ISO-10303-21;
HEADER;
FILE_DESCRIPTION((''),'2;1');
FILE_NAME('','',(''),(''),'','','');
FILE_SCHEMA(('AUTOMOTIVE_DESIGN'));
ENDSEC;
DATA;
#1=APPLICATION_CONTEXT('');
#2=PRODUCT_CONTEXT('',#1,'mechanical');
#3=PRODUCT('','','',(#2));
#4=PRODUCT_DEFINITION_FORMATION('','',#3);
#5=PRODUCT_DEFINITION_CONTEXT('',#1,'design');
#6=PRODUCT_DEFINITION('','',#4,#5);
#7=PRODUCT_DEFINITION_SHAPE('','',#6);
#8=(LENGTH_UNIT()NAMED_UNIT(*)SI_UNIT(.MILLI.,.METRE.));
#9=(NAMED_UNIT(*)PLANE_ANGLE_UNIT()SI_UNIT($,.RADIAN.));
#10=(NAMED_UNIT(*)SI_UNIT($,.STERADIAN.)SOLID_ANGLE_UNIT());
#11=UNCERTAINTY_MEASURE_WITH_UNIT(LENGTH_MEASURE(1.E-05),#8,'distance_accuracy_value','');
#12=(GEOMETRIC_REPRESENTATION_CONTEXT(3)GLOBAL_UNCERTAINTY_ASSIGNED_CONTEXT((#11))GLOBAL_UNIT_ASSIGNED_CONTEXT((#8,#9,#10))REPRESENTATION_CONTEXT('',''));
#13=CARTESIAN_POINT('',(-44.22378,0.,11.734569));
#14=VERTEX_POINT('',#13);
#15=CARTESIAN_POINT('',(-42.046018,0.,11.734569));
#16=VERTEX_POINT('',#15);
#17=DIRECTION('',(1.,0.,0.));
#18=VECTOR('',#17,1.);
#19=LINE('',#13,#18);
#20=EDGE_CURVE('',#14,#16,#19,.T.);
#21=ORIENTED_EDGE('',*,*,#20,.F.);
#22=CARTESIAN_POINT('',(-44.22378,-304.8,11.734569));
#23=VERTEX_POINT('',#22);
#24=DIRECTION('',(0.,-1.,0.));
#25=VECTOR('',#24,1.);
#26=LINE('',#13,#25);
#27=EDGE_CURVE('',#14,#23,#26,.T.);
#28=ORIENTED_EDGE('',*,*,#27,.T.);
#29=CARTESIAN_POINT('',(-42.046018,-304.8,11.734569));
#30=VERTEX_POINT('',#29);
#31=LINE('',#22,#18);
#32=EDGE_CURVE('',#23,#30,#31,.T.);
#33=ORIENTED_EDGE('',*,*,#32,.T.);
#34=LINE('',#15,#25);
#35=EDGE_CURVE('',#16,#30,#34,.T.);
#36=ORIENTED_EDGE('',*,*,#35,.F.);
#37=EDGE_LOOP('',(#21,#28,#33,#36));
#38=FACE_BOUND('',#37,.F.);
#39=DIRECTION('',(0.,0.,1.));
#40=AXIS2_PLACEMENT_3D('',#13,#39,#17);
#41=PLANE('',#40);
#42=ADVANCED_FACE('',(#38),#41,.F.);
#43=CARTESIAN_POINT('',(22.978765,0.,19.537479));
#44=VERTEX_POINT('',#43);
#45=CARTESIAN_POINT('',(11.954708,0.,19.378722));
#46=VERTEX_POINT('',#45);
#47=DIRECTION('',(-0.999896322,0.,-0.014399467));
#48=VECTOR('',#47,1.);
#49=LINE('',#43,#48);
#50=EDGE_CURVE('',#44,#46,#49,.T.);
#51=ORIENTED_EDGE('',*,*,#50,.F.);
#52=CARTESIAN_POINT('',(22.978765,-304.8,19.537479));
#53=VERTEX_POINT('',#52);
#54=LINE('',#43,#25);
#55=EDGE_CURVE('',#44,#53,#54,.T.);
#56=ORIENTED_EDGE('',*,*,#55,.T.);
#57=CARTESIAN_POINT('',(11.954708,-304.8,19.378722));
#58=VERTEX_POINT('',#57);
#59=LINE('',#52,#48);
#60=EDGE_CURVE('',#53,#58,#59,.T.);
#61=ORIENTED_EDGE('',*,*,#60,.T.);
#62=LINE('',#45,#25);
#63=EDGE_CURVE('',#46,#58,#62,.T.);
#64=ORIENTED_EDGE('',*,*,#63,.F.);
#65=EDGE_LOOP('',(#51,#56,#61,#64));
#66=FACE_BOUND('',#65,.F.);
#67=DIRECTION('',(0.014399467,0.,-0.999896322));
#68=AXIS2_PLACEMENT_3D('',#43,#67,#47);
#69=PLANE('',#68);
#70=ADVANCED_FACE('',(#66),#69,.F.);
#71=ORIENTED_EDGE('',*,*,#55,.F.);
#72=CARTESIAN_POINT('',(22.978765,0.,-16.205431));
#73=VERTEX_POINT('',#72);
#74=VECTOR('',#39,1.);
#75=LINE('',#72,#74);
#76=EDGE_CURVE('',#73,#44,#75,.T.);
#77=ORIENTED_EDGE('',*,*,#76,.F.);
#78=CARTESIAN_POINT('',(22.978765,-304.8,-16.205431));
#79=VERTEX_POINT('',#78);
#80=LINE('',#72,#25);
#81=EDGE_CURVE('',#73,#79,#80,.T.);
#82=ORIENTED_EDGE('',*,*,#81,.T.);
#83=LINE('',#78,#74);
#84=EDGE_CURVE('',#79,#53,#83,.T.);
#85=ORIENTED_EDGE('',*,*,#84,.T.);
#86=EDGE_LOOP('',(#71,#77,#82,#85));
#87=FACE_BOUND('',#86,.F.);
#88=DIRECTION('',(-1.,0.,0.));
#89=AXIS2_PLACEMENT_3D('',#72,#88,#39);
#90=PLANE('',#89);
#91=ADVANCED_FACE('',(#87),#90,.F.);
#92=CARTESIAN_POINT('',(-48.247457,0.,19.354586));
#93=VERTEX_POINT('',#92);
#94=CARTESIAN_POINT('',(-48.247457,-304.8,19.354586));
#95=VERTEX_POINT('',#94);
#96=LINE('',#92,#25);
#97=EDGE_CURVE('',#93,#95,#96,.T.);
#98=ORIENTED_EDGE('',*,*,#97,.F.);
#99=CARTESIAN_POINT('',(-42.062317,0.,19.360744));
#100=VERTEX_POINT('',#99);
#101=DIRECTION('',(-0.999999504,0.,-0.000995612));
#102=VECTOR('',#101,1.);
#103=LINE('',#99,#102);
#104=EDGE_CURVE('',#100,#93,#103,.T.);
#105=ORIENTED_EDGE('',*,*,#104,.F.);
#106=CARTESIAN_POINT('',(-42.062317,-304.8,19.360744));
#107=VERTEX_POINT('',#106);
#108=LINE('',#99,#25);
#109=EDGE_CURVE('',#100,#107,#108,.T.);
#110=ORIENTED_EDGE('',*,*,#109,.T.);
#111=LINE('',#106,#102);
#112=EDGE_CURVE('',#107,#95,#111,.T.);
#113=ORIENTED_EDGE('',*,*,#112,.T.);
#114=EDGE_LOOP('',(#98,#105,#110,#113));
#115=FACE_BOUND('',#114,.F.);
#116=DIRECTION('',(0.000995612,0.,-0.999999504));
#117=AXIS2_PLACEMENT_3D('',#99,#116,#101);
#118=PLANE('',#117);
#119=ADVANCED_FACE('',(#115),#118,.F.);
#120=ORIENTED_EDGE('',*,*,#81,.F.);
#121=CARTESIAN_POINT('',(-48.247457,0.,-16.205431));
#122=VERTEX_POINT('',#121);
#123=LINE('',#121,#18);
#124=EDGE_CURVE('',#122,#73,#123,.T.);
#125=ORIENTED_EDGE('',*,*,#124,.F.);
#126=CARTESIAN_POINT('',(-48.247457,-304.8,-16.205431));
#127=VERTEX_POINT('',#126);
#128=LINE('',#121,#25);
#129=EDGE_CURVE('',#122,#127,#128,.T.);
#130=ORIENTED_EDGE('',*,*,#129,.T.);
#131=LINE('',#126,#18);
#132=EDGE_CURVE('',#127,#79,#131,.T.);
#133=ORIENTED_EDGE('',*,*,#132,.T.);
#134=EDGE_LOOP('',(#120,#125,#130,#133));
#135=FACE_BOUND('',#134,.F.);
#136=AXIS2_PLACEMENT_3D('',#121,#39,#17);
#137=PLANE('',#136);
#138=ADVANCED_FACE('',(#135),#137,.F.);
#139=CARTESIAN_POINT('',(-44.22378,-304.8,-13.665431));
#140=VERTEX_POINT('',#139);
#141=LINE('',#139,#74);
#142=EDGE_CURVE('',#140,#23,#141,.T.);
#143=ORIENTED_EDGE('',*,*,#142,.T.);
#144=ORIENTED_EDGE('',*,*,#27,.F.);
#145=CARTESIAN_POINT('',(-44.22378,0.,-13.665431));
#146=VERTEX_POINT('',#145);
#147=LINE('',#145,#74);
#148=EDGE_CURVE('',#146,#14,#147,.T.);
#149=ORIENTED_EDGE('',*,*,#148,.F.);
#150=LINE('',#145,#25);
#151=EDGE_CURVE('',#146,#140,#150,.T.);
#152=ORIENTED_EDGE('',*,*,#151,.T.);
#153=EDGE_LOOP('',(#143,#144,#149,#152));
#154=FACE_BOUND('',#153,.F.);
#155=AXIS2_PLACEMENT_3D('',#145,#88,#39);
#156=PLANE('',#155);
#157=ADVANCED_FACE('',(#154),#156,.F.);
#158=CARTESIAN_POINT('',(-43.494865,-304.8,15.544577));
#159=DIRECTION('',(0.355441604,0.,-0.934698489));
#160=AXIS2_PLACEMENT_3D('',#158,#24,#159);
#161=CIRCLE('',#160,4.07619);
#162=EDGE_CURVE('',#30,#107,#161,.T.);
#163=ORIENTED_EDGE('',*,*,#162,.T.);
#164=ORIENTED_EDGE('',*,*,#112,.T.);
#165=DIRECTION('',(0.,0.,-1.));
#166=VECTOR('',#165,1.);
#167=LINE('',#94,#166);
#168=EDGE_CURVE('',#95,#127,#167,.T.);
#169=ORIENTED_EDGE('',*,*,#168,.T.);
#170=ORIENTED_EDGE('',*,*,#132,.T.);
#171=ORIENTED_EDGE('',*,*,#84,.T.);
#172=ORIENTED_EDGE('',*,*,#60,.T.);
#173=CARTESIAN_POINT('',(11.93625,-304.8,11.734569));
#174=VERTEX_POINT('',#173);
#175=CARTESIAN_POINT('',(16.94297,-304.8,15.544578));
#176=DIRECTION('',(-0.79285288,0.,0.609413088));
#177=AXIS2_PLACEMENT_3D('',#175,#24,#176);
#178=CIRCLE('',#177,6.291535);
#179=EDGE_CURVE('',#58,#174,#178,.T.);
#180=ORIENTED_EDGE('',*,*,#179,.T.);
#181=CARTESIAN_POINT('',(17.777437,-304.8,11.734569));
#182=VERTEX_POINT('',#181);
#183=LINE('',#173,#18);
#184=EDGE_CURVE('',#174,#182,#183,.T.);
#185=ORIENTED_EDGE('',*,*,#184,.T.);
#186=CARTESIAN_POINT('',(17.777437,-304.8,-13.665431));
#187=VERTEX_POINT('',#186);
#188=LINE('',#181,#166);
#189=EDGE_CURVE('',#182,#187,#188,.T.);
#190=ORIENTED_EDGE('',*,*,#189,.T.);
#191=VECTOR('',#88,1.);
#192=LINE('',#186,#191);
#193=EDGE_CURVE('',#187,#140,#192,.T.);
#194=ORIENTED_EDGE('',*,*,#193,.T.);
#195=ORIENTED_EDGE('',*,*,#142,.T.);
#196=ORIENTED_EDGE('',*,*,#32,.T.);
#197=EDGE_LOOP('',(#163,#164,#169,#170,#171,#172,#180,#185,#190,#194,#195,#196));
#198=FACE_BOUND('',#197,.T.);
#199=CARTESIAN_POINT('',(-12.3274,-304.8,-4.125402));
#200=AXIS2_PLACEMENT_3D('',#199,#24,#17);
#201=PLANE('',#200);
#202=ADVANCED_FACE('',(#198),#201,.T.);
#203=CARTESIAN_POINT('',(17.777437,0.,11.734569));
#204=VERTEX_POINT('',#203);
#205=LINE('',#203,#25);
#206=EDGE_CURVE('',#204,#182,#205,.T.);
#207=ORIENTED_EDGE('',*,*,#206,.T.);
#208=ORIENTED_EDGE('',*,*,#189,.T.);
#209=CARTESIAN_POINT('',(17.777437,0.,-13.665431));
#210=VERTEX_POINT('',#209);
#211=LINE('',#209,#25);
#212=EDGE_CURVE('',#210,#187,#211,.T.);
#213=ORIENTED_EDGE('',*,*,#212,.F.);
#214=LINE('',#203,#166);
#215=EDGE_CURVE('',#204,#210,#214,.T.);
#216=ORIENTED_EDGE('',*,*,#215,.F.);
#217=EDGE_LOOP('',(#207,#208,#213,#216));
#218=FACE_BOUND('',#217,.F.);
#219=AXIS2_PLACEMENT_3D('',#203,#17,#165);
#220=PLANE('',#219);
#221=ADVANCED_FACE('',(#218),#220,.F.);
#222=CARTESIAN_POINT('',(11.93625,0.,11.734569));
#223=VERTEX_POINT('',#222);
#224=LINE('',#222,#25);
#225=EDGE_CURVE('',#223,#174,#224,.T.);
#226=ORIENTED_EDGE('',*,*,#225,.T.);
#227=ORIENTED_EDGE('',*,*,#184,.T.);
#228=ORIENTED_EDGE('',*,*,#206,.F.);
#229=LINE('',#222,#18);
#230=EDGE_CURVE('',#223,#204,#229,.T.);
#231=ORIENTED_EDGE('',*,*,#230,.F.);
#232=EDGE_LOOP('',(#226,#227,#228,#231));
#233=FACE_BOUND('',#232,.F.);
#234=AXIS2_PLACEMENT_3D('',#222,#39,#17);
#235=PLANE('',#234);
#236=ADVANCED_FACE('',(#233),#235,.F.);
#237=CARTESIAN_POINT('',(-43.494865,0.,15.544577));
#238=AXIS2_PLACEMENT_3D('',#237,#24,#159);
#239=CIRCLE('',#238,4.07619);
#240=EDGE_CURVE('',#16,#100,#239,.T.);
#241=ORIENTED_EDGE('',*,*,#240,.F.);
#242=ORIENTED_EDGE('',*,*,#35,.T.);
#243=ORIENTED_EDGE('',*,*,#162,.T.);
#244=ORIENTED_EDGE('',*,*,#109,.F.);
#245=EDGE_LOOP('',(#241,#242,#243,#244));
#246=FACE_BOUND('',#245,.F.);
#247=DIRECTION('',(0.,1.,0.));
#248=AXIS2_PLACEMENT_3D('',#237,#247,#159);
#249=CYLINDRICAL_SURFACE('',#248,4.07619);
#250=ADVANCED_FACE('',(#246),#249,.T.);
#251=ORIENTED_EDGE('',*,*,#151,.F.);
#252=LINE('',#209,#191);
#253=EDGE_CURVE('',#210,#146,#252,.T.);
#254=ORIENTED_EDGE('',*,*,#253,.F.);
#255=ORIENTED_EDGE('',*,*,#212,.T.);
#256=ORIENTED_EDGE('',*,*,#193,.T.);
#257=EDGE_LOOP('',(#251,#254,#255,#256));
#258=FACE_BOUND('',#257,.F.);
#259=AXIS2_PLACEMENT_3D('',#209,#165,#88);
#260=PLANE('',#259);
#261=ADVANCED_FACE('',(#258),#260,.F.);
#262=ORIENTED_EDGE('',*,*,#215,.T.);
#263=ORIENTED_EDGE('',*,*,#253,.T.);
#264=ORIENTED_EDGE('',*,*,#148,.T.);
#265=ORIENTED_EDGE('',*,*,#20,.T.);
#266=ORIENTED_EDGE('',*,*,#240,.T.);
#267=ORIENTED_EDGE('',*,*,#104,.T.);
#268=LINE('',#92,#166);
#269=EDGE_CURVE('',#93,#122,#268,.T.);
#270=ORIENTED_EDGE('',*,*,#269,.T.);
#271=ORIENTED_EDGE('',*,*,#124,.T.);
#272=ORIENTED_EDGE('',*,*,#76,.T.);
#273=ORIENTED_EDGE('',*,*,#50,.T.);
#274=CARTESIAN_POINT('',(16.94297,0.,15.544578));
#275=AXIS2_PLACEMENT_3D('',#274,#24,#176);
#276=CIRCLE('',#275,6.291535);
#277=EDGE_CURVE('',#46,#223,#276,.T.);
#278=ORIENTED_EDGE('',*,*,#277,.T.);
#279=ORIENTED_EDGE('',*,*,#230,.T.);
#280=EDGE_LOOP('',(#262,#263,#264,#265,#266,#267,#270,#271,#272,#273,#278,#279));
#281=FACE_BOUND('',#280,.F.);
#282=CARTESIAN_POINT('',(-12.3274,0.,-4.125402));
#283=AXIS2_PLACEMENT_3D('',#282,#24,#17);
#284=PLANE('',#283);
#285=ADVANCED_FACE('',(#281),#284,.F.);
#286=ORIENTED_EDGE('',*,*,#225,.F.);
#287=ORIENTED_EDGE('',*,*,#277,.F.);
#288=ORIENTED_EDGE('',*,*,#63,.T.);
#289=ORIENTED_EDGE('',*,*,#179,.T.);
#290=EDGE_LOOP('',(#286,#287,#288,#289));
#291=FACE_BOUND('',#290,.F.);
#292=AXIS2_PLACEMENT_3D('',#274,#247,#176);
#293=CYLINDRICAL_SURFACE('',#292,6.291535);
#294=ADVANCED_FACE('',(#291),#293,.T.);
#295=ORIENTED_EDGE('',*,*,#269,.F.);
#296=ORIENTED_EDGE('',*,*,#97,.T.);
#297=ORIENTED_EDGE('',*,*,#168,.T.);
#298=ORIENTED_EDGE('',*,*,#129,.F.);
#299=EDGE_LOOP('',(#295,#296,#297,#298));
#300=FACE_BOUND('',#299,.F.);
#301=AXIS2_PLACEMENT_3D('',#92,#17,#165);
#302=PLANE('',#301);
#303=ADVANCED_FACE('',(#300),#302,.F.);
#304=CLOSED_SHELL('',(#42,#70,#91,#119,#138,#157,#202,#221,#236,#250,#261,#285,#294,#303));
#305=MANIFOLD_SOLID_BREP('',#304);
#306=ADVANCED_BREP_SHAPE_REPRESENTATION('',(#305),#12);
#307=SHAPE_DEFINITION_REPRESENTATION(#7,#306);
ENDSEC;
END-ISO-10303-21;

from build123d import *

# Parameters (mm, degrees)
F1_DEPTH = 304.8


with BuildPart() as f1:
    # F0 (on Front) → F1 (new body)
    with BuildSketch(Plane.XZ):
        with BuildLine():
            Line((22.978765, -16.205431), (22.978765, 19.537479))
            Line((22.978765, 19.537479), (11.954708, 19.378722))
            ThreePointArc((11.954708, 19.378722), (10.651453, 15.55977), (11.93625, 11.734569))
            Line((11.93625, 11.734569), (17.777437, 11.734569))
            Line((17.777437, 11.734569), (17.777437, -13.665431))
            Line((17.777437, -13.665431), (-44.22378, -13.665431))
            Line((-44.22378, -13.665431), (-44.22378, 11.734569))
            Line((-44.22378, 11.734569), (-42.046018, 11.734569))
            ThreePointArc((-42.046018, 11.734569), (-39.418685, 15.553289), (-42.062317, 19.360744))
            Line((-42.062317, 19.360744), (-48.247457, 19.354586))
            Line((-48.247457, 19.354586), (-48.247457, -16.205431))
            Line((-48.247457, -16.205431), (22.978765, -16.205431))
        make_face()
    extrude(amount=F1_DEPTH)


solid = f1.part
